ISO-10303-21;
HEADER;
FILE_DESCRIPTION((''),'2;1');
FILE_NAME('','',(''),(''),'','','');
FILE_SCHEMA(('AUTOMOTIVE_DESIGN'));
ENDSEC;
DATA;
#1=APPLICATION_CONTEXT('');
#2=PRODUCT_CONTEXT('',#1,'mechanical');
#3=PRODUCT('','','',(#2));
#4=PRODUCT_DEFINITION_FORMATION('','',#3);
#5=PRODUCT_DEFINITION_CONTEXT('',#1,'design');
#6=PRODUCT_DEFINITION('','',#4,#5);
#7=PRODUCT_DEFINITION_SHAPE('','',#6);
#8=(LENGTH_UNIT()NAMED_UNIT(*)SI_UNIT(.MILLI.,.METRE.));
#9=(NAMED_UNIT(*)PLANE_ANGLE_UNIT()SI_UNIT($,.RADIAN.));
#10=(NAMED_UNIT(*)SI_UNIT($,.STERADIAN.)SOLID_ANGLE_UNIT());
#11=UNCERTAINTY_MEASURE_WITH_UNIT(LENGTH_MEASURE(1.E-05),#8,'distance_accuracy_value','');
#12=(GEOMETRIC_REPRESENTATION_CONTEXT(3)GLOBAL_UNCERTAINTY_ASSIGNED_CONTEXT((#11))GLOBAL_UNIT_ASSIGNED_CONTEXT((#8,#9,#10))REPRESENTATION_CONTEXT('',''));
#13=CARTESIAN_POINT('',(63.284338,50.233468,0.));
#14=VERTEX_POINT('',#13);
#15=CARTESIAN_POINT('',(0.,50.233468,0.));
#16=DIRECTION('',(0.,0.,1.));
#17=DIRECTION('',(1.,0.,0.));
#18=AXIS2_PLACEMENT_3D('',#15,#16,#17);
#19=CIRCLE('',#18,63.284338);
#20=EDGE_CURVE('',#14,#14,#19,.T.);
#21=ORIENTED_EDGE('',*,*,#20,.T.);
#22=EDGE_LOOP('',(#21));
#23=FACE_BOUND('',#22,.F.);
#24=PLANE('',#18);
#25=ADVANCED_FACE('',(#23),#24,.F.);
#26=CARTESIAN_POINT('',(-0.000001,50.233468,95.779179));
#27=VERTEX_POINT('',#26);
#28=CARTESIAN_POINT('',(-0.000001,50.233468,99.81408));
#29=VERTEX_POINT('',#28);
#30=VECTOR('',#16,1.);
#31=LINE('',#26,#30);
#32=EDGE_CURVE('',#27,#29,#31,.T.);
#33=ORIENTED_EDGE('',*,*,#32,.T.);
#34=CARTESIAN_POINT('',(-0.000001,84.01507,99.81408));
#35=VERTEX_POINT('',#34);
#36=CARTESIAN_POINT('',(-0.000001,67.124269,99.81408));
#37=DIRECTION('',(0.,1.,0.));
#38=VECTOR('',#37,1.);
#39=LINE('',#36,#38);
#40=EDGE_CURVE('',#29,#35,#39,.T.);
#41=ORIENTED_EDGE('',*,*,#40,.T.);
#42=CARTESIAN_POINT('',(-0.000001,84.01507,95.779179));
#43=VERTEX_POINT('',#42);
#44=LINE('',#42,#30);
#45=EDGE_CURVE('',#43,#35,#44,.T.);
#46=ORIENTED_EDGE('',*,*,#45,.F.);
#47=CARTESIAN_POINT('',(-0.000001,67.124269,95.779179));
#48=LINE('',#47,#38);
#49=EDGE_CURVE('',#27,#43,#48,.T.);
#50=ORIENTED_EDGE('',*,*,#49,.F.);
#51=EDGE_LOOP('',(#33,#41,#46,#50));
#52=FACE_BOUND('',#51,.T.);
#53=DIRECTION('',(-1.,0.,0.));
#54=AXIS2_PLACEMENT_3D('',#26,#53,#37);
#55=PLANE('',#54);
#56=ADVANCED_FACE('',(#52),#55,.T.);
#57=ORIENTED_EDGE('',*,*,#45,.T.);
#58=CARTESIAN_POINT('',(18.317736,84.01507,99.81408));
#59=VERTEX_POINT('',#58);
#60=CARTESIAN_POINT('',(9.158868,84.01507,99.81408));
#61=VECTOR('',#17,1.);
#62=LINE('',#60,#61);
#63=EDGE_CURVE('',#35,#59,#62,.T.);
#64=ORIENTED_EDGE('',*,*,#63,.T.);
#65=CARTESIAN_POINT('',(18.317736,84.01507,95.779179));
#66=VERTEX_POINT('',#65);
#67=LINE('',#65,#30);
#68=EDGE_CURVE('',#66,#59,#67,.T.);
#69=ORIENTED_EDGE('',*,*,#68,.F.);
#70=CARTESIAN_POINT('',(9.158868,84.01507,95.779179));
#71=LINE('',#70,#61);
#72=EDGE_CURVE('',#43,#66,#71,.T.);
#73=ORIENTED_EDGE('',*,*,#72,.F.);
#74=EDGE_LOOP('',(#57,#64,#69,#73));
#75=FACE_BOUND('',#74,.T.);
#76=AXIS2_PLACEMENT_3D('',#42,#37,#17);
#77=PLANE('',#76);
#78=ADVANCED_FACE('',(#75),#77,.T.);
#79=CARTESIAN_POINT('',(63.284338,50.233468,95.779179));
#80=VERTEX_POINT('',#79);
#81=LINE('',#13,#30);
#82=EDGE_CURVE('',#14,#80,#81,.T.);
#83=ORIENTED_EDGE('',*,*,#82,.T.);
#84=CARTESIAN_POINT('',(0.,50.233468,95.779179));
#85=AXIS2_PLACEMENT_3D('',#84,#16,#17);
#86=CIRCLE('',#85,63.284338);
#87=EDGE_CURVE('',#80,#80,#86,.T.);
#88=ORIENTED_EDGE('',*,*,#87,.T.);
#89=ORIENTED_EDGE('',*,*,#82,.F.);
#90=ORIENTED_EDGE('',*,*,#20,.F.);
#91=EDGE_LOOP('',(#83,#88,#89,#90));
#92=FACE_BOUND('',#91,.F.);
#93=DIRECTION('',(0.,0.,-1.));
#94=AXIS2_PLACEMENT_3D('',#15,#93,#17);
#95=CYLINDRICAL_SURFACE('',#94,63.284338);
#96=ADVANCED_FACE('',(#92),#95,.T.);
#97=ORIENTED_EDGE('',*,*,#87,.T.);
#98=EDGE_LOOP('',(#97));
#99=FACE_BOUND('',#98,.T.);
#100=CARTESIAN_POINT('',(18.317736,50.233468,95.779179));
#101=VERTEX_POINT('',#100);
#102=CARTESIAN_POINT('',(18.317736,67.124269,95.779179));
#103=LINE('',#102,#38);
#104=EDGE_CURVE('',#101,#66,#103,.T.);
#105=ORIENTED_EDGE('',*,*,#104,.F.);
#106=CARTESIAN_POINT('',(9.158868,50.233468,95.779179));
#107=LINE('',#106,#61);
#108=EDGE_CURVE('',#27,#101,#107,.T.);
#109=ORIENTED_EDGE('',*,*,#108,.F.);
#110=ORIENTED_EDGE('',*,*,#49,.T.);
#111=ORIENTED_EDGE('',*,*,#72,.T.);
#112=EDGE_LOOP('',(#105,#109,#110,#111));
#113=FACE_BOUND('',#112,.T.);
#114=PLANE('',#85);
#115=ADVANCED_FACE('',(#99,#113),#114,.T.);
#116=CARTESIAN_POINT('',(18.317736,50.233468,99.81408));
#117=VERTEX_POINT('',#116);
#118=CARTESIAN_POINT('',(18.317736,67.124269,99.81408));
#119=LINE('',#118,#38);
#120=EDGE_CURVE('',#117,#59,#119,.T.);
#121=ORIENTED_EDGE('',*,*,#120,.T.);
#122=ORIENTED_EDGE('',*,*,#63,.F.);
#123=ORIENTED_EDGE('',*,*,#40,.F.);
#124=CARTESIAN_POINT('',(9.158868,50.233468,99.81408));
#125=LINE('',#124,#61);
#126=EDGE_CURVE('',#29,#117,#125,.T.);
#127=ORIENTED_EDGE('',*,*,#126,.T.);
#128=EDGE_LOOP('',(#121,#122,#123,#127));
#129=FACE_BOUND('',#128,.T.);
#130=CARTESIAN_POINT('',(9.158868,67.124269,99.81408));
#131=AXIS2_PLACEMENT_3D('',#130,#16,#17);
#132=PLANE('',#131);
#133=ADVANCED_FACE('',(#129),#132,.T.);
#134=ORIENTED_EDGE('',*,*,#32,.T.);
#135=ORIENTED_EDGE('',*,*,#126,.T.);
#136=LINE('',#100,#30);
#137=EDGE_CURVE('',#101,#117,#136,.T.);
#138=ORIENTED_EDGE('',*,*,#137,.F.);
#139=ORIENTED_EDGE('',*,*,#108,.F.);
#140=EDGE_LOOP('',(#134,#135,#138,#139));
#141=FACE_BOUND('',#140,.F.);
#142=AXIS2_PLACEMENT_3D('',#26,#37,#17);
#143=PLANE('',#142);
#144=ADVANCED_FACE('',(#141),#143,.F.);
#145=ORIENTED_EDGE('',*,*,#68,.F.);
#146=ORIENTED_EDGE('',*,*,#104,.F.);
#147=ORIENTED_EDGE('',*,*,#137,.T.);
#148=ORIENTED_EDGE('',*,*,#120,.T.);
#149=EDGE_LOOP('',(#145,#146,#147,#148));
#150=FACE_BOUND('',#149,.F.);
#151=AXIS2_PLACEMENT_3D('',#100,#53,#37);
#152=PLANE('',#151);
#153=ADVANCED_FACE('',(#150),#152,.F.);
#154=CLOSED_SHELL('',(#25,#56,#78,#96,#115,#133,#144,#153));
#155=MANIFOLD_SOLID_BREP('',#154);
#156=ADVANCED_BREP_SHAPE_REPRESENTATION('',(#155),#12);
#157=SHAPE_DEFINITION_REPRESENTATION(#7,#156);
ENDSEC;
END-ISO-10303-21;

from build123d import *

# Parameters (mm, degrees)
F0_R     = 63.284338
F1_DEPTH = 95.779179
F2_W     = 18.317737
F2_H     = 33.781603
F3_DEPTH = 4.034901


with BuildPart() as f1:
    # F0 (on Top) → F1 (new body)
    with BuildSketch(Plane.XY):
        with Locations((0, 50.233468)):
            Circle(F0_R)
    extrude(amount=F1_DEPTH)

    # F2 (on face) → F3 (join)
    with BuildSketch(Plane.XY.offset(95.779179)):
        with Locations((9.158868, 67.124269)):
            Rectangle(F2_W, F2_H)
    extrude(amount=F3_DEPTH)


solid = f1.part
